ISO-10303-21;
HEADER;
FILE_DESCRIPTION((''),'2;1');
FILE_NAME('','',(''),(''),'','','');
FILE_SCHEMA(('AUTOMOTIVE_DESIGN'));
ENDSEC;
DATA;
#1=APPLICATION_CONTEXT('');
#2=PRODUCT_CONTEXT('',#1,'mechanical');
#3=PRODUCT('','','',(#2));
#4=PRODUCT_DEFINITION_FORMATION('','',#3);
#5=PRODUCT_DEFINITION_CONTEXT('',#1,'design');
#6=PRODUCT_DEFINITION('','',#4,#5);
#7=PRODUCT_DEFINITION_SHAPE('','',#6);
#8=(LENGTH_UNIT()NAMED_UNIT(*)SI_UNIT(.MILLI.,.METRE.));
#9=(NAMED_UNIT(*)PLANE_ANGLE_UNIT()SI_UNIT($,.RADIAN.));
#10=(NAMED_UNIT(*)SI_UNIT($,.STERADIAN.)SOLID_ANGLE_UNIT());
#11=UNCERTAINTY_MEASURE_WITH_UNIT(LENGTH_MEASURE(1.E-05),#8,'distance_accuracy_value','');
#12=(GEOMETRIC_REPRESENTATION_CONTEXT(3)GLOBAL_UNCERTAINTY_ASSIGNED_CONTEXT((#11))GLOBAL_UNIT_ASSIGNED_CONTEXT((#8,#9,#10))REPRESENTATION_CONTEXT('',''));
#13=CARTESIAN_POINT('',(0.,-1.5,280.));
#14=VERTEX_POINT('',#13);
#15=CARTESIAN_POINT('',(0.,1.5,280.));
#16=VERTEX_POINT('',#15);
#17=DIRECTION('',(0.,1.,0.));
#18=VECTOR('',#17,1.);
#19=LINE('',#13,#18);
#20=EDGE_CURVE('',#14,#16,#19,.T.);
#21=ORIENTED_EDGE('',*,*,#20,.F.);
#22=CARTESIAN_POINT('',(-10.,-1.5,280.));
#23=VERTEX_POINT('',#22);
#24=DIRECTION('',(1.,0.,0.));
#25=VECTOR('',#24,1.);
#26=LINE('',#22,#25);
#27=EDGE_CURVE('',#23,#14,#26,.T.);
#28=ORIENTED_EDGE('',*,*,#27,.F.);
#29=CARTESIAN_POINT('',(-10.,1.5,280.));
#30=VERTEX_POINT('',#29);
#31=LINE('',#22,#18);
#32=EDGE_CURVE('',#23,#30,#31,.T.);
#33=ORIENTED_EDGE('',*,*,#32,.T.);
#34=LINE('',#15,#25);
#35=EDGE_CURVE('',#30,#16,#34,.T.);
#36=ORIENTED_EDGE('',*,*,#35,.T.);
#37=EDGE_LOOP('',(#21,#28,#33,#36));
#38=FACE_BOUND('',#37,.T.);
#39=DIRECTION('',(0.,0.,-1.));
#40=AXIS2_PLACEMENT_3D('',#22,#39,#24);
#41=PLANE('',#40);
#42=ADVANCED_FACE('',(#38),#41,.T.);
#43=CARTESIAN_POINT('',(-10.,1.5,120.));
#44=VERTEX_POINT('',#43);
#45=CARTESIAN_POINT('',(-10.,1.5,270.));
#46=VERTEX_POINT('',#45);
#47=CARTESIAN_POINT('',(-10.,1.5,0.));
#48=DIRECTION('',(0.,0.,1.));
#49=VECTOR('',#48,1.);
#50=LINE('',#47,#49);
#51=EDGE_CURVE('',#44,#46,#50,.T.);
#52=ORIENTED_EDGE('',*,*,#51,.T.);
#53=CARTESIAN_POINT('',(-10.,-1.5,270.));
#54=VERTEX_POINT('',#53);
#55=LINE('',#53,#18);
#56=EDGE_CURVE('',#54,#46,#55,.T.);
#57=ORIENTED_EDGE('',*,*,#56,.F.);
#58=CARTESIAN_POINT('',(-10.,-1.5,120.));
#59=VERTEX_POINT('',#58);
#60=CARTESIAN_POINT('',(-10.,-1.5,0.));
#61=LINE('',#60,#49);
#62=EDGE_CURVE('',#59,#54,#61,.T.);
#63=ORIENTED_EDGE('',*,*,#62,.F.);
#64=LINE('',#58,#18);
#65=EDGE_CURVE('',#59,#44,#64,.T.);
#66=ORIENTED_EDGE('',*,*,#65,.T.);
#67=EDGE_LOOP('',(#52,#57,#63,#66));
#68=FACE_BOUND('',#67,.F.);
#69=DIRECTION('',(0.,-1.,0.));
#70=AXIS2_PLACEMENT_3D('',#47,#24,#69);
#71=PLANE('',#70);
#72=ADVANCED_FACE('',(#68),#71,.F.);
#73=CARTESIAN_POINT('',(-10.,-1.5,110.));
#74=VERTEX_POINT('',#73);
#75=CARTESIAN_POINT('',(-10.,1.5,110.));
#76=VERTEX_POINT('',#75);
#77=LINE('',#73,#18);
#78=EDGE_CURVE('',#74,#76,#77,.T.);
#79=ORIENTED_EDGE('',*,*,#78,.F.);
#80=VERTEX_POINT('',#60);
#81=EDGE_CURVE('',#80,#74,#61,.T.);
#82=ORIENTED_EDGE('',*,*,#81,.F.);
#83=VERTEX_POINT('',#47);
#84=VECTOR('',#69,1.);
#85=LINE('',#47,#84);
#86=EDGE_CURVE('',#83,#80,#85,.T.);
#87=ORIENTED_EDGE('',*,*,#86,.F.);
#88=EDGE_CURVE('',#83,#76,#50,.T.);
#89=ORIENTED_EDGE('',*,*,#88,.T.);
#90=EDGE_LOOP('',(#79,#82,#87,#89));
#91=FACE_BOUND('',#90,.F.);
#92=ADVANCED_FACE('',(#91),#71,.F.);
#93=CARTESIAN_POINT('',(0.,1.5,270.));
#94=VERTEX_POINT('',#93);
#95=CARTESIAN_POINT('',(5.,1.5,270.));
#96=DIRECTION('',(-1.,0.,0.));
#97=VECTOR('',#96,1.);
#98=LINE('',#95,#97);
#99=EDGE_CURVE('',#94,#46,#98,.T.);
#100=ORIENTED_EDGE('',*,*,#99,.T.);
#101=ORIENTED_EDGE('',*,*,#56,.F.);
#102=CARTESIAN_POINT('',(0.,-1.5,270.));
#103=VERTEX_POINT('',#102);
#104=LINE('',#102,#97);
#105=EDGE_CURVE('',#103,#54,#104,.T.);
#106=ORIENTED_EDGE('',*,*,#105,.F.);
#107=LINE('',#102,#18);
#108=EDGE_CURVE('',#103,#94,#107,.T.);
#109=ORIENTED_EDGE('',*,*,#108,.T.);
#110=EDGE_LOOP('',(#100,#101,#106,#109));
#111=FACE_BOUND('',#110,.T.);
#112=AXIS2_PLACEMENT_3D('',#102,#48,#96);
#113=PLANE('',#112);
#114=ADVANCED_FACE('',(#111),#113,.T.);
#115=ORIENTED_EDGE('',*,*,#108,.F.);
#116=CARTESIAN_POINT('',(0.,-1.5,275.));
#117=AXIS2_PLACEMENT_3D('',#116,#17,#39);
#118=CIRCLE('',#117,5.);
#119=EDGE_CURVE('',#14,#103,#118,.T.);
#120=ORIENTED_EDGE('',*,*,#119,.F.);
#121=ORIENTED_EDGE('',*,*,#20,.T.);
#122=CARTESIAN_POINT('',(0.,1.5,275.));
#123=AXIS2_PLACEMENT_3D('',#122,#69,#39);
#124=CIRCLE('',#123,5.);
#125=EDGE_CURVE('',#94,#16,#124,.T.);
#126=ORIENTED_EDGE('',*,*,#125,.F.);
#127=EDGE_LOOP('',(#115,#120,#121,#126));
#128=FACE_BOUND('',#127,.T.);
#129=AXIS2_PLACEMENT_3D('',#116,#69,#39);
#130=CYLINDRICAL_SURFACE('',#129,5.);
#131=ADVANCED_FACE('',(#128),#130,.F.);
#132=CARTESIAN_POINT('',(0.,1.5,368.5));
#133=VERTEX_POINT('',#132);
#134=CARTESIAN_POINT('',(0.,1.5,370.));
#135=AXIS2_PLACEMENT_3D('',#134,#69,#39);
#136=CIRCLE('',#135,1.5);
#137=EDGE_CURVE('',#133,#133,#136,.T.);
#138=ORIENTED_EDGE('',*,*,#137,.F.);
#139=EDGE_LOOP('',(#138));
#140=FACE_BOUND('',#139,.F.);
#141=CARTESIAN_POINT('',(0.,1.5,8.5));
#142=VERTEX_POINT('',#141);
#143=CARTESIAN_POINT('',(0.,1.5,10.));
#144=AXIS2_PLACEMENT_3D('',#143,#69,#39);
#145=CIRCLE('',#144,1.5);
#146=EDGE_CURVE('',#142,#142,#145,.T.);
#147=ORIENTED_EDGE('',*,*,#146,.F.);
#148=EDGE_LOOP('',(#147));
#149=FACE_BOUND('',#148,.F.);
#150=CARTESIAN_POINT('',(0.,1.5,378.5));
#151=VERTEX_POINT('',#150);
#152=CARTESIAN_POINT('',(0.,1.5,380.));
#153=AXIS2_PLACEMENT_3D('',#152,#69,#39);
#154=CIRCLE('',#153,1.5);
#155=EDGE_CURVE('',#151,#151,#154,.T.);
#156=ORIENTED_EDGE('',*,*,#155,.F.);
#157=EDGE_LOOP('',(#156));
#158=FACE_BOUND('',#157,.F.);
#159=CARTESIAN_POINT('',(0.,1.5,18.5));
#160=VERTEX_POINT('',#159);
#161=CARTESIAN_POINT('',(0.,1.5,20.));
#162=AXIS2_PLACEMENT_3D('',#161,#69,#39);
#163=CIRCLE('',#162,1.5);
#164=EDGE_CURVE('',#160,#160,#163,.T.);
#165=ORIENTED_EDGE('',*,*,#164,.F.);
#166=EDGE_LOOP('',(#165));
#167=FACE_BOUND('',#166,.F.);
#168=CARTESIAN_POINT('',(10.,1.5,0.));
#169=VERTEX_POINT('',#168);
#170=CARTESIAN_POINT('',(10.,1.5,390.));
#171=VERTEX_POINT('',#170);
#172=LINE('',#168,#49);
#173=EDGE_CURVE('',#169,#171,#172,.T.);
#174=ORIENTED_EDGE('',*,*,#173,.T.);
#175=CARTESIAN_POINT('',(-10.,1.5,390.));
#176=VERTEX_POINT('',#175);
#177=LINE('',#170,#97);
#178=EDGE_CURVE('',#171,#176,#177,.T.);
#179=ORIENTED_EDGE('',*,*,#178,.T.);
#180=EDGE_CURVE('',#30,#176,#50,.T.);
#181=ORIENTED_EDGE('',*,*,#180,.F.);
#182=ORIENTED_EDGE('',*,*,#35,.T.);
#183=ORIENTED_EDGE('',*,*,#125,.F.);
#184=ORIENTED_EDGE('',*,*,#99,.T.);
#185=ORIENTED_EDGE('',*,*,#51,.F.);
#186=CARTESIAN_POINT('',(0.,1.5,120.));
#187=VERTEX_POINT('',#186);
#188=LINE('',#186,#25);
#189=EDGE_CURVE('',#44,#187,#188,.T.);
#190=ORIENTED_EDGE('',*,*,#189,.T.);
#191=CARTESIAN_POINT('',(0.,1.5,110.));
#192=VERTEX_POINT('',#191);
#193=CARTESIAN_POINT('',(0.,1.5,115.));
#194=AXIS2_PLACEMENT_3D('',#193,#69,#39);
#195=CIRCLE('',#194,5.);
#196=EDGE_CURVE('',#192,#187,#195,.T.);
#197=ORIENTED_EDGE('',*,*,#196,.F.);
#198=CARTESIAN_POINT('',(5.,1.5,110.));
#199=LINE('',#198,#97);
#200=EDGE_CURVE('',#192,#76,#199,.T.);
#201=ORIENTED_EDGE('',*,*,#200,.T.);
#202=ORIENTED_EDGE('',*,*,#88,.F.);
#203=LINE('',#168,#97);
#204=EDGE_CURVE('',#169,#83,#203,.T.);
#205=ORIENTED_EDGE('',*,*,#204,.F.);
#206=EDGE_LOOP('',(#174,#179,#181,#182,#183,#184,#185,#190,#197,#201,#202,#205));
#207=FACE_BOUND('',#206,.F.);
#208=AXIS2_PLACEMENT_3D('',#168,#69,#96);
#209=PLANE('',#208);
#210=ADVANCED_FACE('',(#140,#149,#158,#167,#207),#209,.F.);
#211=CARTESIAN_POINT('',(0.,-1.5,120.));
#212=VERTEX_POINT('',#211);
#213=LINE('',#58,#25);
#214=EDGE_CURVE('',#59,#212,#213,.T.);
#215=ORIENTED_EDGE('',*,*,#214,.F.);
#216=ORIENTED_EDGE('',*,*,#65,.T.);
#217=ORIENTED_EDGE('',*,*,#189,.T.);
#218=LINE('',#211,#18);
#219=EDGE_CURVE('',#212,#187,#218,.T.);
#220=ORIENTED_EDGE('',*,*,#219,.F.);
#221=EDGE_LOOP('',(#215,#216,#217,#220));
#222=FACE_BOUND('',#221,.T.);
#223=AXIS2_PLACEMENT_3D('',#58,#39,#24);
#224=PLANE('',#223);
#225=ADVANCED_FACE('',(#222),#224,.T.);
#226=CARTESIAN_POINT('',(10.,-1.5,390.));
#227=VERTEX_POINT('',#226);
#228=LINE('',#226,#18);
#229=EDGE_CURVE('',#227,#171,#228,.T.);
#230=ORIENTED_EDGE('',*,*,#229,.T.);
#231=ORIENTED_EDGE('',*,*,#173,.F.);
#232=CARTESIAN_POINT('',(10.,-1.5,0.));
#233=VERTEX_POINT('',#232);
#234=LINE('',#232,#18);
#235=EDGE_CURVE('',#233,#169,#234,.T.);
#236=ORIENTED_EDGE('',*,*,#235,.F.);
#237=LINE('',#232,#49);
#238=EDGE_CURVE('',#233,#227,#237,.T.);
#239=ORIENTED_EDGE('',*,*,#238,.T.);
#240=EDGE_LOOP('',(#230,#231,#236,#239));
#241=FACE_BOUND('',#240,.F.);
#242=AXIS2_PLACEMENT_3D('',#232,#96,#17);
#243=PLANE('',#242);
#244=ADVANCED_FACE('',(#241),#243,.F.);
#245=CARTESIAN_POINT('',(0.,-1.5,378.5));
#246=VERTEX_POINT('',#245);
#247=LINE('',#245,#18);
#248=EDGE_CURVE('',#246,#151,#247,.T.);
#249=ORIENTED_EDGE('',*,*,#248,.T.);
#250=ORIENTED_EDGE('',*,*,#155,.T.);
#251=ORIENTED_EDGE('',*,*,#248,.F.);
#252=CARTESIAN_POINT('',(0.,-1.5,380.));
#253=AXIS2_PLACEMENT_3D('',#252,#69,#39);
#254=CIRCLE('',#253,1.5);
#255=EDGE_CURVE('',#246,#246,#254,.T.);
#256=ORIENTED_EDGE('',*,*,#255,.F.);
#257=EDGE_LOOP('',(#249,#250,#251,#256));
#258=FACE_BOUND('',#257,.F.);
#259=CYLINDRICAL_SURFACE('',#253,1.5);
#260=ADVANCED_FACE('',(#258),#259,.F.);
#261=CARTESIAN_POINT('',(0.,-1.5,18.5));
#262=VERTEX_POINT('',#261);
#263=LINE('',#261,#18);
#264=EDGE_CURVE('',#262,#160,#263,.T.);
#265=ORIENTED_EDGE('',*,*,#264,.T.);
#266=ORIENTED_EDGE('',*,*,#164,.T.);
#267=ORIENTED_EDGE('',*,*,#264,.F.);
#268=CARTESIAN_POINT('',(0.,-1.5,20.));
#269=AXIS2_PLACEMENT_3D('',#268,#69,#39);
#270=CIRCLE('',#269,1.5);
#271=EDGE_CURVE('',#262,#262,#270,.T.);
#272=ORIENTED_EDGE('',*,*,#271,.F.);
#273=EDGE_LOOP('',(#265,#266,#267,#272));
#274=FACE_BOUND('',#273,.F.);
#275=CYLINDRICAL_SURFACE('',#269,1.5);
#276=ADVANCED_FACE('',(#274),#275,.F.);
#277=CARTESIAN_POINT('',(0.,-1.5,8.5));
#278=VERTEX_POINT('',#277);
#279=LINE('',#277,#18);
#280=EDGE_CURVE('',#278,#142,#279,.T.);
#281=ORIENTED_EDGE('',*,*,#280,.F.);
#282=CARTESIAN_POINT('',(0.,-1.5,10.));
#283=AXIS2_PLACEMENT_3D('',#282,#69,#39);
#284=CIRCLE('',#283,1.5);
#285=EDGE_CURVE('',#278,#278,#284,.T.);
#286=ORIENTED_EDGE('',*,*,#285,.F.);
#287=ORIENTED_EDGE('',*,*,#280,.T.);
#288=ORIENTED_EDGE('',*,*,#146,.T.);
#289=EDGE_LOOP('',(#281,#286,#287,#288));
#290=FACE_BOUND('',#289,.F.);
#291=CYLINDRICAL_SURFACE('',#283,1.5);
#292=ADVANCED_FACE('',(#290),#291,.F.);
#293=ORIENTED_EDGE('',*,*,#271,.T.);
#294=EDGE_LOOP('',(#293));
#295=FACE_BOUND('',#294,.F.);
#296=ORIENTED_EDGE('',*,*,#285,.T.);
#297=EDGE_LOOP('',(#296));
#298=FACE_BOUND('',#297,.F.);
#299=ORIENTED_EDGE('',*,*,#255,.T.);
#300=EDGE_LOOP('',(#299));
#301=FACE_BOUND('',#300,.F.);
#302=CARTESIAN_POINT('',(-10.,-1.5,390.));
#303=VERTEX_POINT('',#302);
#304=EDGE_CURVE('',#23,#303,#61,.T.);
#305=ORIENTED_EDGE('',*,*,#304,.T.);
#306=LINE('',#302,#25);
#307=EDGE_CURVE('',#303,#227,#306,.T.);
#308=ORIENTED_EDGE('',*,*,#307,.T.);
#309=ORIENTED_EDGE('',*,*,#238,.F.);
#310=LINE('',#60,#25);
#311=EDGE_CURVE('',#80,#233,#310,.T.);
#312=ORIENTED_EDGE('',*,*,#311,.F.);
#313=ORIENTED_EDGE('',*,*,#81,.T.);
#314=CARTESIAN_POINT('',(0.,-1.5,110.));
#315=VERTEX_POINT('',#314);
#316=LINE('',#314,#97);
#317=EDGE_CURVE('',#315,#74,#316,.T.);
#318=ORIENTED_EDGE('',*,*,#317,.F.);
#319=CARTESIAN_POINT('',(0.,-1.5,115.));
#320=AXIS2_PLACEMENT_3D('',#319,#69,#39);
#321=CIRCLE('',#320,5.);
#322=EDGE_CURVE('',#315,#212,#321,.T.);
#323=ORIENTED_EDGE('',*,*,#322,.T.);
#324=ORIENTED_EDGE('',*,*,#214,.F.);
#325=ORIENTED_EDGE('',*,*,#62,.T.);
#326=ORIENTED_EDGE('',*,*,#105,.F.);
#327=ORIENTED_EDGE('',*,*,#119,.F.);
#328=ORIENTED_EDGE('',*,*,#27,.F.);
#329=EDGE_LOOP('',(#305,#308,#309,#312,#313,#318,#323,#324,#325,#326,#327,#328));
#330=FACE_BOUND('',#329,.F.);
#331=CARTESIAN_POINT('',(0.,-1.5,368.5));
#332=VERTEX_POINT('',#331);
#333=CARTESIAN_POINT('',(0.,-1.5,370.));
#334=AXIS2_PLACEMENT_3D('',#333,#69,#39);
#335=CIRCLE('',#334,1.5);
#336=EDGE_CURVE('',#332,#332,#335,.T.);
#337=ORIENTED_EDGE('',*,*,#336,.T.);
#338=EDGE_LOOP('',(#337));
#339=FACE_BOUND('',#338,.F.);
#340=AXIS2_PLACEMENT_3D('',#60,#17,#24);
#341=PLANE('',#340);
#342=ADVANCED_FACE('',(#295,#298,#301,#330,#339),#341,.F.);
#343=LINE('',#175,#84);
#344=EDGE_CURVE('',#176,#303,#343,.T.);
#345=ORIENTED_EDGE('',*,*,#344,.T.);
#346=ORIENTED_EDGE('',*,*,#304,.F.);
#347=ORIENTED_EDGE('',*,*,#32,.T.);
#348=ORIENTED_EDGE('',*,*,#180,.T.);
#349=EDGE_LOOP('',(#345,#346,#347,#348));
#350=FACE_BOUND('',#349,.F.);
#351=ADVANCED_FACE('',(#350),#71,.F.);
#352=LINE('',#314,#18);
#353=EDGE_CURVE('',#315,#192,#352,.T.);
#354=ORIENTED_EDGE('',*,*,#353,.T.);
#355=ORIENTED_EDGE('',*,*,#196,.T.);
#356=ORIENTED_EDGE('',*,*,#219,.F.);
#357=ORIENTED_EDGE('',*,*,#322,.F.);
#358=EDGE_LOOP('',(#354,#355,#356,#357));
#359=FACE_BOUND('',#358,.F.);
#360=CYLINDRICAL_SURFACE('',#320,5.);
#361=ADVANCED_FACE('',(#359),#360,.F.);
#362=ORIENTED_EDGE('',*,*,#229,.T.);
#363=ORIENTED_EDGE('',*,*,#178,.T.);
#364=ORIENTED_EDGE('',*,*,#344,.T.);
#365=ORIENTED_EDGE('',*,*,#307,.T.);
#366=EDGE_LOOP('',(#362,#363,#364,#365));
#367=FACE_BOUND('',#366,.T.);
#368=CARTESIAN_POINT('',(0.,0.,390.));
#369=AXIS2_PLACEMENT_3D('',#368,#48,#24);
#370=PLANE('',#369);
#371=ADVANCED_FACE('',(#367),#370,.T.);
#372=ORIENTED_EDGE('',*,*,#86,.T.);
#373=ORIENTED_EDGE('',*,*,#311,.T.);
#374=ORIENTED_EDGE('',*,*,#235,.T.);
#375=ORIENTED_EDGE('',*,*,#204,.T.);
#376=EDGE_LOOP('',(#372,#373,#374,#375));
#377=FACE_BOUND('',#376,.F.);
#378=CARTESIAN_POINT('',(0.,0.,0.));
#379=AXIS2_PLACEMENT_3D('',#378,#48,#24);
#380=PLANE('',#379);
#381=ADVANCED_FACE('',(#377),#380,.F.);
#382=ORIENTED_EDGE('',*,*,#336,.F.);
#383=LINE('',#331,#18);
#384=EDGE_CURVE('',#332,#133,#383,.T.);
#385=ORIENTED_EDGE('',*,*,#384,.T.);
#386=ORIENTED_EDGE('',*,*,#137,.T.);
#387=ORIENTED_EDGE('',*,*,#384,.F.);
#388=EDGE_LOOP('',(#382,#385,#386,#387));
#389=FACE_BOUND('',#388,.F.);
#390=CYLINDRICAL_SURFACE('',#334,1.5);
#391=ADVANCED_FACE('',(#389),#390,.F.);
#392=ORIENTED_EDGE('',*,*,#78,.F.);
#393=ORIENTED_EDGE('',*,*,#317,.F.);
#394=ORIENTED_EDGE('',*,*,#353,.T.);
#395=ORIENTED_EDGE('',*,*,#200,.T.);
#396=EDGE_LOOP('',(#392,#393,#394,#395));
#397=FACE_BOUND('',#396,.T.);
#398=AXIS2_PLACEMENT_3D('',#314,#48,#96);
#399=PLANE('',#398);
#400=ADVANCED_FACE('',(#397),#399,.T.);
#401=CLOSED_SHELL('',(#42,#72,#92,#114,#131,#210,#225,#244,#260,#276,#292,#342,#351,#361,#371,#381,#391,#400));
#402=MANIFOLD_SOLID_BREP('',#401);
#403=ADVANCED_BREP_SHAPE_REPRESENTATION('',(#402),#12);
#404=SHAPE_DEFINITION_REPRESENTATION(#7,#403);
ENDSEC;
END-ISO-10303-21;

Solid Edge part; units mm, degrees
sketch "Sketch1" plane through (0, 0, 0) normal (0, 0, 1) x (1, 0, 0)
  line L0 (-10, -1.5) -> (10, -1.5)
  line L1 (10, -1.5) -> (10, 1.5)
  line L2 (10, 1.5) -> (-10, 1.5)
  line L3 (-10, 1.5) -> (-10, -1.5)
  dimension "D1" = 20
  dimension "D2" = 20
  dimension "D3" = 3
  dimension "D4" = 1.5
  dimension "D5" = 10
extrude "Protrusion1" add sketch "Sketch1" along normal blind 390
sketch "Sketch2" plane through (0, -1.5, 157.5) normal (0, -1, 0) x (0, 0, -1)
  circle A0 centre (-212.5, 0) radius 1.5
  circle A1 centre (137.5, 0) radius 1.5
  circle A2 centre (147.5, 0) radius 1.5
  circle A3 centre (-222.5, 0) radius 1.5
  dimension "D1" = 10
  dimension "D2" = 20
  dimension "D3" = 20
  dimension "D4" = 10
  dimension "D5" = 10
  dimension "D6" = 10
extrude "ExtrudedCutout_1" cut sketch "Sketch2" along normal mid plane 784.3163
sketch "Sketch3" plane through (0, -1.5, 157.5) normal (0, -1, 0) x (0, 0, -1)
  line L0 (-112.5, -10) -> (-122.5, -10)
  line L1 (-122.5, -10) -> (-122.5, 0)
  line L2 (-112.5, 0) -> (-112.5, -10)
  arc A0 (-122.5, 0) -> (-112.5, 0) centre (-117.5, 0) cw
  line L3 (47.5, 0) -> (47.5, -10)
  line L4 (47.5, -10) -> (37.5, -10)
  line L5 (37.5, -10) -> (37.5, 0)
  arc A1 (47.5, 0) -> (37.5, 0) centre (42.5, 0) ccw
  dimension "D1" = 10
  dimension "D2" = 10
  dimension "D3" = 150
  dimension "D4" = 110
  dimension "D5" = 110
extrude "ExtrudedCutout_2" cut sketch "Sketch3" against normal blind 359.7683
